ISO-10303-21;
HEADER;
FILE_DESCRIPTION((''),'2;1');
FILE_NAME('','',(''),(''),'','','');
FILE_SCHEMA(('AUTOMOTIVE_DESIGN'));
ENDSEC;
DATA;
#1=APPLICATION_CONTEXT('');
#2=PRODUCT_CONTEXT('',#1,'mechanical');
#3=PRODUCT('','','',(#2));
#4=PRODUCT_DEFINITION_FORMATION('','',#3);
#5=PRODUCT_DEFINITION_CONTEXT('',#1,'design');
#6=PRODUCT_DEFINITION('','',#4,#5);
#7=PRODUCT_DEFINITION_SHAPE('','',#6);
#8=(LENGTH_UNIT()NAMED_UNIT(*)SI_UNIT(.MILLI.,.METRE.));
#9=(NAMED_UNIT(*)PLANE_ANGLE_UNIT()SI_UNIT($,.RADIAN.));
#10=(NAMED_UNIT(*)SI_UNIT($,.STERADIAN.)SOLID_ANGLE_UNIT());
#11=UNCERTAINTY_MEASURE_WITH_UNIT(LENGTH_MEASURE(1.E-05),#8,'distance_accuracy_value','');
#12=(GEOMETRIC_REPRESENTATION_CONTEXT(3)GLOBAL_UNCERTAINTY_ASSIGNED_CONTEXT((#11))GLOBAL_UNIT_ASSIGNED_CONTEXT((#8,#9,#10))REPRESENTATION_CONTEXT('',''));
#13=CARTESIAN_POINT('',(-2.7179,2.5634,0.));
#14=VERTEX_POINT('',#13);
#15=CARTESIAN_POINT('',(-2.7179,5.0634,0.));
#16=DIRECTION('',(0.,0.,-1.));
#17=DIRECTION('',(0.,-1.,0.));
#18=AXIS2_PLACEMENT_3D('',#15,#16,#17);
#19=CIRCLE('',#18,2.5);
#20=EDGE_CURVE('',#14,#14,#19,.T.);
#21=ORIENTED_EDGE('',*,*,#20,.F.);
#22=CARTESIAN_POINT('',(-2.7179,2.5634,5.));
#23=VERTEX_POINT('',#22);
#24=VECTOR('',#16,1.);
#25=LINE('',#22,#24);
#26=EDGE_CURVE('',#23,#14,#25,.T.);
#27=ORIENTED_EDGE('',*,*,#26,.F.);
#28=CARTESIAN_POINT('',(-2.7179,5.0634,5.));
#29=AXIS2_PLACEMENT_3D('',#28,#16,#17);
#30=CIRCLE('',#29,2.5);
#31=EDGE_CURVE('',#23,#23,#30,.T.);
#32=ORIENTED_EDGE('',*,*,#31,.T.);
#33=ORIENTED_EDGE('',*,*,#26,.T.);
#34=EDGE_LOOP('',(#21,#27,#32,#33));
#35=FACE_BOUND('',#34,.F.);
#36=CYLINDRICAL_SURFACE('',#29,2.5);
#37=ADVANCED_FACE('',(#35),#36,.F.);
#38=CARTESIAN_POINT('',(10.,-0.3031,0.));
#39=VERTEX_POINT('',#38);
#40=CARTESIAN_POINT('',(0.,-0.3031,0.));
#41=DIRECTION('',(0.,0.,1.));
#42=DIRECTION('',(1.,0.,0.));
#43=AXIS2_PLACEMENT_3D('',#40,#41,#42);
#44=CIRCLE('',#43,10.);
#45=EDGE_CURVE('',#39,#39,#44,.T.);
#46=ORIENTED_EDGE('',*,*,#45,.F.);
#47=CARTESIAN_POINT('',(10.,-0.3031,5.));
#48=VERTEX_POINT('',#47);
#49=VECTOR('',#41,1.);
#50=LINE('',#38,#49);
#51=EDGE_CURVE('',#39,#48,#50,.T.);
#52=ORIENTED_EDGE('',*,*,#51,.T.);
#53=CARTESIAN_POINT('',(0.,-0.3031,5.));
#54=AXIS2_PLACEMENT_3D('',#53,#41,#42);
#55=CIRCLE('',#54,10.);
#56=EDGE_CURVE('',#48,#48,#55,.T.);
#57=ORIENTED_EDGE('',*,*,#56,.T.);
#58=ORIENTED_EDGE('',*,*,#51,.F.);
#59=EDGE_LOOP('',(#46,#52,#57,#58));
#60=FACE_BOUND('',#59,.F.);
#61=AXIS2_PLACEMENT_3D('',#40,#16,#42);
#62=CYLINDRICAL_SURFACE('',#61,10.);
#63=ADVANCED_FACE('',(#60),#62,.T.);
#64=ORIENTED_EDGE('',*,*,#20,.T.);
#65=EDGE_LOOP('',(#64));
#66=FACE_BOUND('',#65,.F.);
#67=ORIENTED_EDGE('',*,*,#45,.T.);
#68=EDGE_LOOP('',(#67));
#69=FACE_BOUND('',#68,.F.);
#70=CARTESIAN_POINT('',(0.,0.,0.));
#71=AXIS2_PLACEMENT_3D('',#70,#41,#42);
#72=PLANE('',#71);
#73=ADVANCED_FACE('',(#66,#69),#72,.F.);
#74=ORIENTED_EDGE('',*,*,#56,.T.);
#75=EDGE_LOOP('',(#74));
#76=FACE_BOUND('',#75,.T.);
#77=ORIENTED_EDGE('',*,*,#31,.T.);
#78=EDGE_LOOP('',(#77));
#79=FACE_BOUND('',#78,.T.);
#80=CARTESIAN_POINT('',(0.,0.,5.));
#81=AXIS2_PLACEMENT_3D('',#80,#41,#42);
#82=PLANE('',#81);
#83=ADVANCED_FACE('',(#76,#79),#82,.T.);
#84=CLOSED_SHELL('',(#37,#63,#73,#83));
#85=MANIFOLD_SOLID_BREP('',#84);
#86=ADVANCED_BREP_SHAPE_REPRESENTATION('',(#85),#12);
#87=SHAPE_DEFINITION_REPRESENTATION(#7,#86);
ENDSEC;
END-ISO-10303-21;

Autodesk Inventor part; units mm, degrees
ref_plane "YZ Plane" through (0, 0, 0) normal (1, 0, 0) x (0, 1, 0)
ref_plane "XZ Plane" through (0, 0, 0) normal (0, 1, 0) x (-1, 0, 0)
ref_plane "XY Plane" through (0, 0, 0) normal (0, 0, 1) x (1, 0, 0)
sketch "Sketch1" plane through (0, 0, 0) normal (0, 0, 1) x (1, 0, 0)
  circle A0 centre (0, -0.3031) radius 10
  point P0 (0, 0)
  dimension "d0" = 20
extrude "Extrusion1" add sketch "Sketch1" along normal blind 5
sketch "Sketch2" plane through (0, -0.3031, 5) normal (0, 0, 1) x (1, 0, 0)
  point P0 (0, 0.3031)
  point P1 (-2.7179, 5.3665)
hole "Hole1" at (-2.7179, 5.0634, 5) direction (0, 0, -1) diameter 5 end through all
properties part number "expo part 3"
